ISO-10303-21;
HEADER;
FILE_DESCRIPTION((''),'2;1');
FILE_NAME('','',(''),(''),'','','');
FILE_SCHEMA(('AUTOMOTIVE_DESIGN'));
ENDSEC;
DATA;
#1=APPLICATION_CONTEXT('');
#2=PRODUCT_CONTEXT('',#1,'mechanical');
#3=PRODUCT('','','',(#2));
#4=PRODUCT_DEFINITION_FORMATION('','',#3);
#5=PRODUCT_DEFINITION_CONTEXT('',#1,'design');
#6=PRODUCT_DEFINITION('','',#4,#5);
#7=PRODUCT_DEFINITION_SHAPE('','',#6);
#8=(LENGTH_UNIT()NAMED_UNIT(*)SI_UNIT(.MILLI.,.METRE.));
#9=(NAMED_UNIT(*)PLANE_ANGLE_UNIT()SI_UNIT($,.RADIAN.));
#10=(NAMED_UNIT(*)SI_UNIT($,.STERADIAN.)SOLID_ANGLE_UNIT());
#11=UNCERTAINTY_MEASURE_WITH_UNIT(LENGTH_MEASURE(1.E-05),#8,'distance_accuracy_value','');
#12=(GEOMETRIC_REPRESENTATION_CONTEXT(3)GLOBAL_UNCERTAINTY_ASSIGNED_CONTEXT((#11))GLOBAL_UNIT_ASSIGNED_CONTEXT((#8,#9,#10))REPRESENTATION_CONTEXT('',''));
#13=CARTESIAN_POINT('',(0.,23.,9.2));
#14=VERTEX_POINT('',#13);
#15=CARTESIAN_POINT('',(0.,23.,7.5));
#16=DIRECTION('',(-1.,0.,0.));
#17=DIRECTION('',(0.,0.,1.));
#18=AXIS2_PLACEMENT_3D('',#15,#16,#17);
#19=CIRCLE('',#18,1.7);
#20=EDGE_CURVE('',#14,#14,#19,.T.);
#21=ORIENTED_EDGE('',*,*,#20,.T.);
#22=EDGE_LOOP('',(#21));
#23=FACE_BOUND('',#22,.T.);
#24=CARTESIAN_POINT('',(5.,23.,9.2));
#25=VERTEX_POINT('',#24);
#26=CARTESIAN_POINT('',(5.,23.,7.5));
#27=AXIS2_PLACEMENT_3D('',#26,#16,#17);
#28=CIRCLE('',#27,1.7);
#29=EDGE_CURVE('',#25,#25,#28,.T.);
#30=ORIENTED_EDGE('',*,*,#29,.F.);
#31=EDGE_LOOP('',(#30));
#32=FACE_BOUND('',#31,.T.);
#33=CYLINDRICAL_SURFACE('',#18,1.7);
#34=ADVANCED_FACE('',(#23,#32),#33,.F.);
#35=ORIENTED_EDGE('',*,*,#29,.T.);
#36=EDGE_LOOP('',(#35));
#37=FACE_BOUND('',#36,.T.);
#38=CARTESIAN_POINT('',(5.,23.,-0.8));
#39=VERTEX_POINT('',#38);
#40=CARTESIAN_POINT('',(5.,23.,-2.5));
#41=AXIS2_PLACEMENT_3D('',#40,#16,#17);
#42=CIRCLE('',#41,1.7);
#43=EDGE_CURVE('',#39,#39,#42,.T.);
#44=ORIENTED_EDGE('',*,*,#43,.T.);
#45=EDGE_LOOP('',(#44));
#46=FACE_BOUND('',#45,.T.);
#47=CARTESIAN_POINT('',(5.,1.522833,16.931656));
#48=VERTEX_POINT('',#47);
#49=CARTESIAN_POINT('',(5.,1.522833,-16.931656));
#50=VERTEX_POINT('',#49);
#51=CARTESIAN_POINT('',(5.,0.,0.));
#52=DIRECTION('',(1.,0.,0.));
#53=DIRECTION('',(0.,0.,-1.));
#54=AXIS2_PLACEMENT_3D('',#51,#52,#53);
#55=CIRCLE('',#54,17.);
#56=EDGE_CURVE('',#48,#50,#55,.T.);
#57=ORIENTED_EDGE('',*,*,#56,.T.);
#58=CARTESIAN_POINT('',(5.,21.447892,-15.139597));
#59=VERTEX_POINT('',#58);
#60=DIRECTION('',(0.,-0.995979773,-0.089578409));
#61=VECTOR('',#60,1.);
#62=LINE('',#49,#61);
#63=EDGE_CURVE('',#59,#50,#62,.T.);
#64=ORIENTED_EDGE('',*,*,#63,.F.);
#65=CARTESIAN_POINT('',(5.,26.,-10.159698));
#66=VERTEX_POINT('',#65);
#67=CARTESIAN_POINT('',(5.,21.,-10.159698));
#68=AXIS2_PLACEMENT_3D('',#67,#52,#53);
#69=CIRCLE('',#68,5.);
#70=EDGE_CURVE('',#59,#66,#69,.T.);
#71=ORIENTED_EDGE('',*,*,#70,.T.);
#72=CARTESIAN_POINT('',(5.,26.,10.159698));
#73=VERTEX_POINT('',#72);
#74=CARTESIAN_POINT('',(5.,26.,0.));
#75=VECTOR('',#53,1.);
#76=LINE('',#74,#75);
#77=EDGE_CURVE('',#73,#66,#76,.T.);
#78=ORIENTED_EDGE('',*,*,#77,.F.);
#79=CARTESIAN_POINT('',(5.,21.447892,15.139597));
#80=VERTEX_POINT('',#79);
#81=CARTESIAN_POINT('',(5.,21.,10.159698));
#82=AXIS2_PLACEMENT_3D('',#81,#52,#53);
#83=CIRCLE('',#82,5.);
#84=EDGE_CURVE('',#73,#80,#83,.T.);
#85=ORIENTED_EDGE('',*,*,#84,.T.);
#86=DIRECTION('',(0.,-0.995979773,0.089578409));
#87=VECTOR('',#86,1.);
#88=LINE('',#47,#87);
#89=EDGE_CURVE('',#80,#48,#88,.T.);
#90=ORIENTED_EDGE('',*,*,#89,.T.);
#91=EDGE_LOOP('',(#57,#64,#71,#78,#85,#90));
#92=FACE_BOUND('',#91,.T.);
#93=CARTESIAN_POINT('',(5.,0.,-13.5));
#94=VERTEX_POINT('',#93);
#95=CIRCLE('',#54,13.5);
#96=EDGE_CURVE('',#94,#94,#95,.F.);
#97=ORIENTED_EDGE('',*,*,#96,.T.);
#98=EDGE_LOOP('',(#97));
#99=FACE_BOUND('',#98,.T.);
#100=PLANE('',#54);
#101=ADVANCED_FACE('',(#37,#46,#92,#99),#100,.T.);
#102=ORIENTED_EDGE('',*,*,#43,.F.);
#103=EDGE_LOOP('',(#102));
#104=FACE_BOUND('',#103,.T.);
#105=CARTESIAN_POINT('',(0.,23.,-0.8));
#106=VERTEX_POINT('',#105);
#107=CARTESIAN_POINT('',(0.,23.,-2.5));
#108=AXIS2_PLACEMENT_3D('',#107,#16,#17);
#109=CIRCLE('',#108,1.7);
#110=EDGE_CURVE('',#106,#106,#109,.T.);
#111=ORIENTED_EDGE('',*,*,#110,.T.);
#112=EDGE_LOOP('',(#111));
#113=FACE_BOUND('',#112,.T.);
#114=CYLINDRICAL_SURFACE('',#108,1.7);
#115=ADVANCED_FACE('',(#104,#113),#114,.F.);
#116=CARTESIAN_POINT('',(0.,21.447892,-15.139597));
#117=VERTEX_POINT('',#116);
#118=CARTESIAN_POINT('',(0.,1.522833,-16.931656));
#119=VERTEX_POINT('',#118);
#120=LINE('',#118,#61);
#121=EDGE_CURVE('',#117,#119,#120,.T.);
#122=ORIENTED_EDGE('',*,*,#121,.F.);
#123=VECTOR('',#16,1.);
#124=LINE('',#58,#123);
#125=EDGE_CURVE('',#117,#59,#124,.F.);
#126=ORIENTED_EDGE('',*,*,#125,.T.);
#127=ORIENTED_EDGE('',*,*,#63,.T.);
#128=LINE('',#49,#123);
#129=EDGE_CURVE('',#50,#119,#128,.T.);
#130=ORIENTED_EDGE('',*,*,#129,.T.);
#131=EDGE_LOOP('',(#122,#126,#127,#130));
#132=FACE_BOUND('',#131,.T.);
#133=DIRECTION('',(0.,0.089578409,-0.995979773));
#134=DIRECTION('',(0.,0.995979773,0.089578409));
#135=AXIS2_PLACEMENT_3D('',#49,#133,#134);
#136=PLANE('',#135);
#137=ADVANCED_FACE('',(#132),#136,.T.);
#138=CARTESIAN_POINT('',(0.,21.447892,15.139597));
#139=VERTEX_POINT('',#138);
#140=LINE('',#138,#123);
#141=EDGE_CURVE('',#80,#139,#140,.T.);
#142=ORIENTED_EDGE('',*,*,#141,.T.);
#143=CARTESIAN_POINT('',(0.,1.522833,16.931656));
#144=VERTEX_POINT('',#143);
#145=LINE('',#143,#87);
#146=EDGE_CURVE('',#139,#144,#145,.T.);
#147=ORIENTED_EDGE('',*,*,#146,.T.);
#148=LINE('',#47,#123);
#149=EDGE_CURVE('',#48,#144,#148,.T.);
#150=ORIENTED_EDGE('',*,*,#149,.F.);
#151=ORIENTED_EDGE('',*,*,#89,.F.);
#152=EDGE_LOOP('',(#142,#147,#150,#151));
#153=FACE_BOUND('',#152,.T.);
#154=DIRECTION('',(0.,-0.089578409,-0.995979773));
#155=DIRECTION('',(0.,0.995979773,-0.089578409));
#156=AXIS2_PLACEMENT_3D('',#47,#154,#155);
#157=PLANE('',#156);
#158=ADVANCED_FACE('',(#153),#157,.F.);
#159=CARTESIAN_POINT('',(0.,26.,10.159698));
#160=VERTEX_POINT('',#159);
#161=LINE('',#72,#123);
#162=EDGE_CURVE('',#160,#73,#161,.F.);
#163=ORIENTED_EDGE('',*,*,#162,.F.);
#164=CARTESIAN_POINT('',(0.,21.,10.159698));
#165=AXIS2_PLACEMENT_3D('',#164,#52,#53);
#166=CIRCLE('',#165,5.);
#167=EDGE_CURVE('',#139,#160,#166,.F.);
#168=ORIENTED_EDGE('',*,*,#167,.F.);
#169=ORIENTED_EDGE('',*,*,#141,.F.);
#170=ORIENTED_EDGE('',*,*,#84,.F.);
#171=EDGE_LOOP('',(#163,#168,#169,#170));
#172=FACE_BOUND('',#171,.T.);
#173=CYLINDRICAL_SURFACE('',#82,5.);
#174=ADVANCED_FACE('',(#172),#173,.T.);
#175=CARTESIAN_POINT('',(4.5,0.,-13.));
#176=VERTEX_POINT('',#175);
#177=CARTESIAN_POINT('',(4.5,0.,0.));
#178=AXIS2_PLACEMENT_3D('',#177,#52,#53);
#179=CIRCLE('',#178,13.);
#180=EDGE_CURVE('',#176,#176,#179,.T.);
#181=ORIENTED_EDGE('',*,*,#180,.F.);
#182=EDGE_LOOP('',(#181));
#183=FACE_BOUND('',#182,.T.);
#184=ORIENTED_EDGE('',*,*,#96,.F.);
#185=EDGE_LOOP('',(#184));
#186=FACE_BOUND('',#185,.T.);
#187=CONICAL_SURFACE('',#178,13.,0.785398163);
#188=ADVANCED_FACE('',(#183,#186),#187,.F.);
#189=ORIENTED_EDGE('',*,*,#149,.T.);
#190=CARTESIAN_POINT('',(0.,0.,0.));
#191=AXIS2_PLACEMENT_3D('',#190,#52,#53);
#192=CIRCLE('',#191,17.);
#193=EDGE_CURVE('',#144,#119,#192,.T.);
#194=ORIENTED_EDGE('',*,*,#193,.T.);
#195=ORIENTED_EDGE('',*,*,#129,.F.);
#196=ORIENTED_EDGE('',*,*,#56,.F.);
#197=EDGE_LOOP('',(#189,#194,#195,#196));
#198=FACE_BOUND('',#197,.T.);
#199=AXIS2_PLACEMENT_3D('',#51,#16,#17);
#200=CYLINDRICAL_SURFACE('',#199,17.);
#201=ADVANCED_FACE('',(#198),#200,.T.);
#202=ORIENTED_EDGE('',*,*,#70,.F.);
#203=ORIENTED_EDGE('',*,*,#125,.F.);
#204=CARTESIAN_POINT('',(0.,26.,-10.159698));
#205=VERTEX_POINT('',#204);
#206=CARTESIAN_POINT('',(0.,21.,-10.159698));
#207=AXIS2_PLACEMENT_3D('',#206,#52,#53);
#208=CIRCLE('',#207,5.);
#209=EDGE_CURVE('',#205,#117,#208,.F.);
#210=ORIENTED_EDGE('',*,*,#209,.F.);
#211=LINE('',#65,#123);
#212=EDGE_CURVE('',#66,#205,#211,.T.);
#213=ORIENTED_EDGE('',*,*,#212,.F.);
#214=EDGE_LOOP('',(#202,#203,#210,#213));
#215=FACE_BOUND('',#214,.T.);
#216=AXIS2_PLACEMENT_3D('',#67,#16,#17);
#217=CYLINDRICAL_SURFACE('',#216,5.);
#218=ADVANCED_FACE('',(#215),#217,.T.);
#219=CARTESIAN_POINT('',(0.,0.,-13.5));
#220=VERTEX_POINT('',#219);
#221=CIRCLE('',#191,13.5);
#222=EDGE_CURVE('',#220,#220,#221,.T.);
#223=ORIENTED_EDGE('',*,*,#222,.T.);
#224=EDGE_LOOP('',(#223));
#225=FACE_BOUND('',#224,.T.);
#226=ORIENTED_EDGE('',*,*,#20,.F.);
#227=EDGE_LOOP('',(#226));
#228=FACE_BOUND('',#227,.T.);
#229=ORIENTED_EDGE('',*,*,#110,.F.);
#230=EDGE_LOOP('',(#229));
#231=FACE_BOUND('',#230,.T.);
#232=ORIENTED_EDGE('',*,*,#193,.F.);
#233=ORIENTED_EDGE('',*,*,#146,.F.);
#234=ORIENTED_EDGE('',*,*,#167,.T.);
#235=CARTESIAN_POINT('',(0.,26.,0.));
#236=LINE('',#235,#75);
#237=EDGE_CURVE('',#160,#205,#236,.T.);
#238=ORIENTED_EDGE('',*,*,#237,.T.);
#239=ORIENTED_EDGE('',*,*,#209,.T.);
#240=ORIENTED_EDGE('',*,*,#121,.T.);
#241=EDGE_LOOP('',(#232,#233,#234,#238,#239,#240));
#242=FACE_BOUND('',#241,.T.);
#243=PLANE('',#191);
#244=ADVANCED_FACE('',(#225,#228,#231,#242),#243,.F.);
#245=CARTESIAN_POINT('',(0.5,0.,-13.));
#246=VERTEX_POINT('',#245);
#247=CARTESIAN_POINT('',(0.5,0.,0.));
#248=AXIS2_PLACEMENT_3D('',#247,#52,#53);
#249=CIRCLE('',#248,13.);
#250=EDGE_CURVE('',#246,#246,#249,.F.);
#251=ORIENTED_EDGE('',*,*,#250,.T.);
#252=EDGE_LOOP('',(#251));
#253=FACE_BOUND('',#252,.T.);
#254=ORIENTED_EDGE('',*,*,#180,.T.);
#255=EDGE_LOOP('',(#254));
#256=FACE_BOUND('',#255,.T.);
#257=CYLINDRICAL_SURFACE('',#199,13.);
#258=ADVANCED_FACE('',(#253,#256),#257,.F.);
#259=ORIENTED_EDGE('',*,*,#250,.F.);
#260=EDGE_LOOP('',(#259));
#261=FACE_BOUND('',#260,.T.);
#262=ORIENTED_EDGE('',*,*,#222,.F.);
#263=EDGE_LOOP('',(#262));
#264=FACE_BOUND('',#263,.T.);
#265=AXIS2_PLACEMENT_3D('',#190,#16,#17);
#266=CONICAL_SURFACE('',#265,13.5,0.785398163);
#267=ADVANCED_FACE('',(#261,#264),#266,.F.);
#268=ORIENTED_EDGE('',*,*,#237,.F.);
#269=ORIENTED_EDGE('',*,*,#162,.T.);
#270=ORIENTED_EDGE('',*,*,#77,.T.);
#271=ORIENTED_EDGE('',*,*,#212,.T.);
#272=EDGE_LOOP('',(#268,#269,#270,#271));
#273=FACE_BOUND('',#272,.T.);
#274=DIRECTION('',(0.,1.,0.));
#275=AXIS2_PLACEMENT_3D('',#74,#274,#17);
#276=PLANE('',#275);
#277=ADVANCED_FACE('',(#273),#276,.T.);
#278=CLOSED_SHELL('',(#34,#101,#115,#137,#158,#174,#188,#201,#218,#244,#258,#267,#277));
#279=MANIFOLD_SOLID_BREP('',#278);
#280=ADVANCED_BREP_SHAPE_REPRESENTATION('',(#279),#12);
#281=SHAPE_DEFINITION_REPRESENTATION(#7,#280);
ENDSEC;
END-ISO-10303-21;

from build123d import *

# Parameters (mm, degrees)
SKETCH_1_R         = 17
SKETCH_1_R_2       = 13
SKETCH_1_W         = 30
SKETCH_1_H         = 3
EXTRUDE_1_DEPTH    = 5
FILLET_1_R         = 5
HOLE_WIZARD_M3_1_D = 3.4
CHAMFER1_SIZE      = 0.5


with BuildPart() as part:
    # 草图1 → 凸台-拉伸1 (new body)
    with BuildSketch(Plane(origin=(0, 0, 0), x_dir=(0, 0, -1), z_dir=(1, 0, 0))):
        Circle(SKETCH_1_R)
        Circle(SKETCH_1_R_2, mode=Mode.SUBTRACT)
        with BuildLine():
            Line((15, 23), (-15, 23))
            Line((-15, 23), (-16.931656145, 1.522832949))
            ThreePointArc((-16.931656145, 1.522832949), (0, 17), (16.931656145, 1.522832949))
            Line((16.931656145, 1.522832949), (15, 23))
        make_face()
        with Locations((0, 24.5)):
            Rectangle(SKETCH_1_W, SKETCH_1_H)
    extrude(amount=EXTRUDE_1_DEPTH)

    # 圆角1
    fillet_1_edges = [part.edges().sort_by_distance(p)[0] for p in [
        (2.5, 26, 15),
        (2.5, 26, -15),
    ]]
    fillet(fillet_1_edges, radius=FILLET_1_R)

    # M3 间隙孔1 (through all)
    with Locations(Plane.ZY):
        with Locations((-2.5, 23), (7.5, 23)):
            Hole(HOLE_WIZARD_M3_1_D / 2)

    # Chamfer1
    chamfer1_edges = [part.edges().sort_by_distance(p)[0] for p in [
        (0, 0, 13),
        (5, 0, 13),
    ]]
    chamfer(chamfer1_edges, length=CHAMFER1_SIZE)


solid = part.part
